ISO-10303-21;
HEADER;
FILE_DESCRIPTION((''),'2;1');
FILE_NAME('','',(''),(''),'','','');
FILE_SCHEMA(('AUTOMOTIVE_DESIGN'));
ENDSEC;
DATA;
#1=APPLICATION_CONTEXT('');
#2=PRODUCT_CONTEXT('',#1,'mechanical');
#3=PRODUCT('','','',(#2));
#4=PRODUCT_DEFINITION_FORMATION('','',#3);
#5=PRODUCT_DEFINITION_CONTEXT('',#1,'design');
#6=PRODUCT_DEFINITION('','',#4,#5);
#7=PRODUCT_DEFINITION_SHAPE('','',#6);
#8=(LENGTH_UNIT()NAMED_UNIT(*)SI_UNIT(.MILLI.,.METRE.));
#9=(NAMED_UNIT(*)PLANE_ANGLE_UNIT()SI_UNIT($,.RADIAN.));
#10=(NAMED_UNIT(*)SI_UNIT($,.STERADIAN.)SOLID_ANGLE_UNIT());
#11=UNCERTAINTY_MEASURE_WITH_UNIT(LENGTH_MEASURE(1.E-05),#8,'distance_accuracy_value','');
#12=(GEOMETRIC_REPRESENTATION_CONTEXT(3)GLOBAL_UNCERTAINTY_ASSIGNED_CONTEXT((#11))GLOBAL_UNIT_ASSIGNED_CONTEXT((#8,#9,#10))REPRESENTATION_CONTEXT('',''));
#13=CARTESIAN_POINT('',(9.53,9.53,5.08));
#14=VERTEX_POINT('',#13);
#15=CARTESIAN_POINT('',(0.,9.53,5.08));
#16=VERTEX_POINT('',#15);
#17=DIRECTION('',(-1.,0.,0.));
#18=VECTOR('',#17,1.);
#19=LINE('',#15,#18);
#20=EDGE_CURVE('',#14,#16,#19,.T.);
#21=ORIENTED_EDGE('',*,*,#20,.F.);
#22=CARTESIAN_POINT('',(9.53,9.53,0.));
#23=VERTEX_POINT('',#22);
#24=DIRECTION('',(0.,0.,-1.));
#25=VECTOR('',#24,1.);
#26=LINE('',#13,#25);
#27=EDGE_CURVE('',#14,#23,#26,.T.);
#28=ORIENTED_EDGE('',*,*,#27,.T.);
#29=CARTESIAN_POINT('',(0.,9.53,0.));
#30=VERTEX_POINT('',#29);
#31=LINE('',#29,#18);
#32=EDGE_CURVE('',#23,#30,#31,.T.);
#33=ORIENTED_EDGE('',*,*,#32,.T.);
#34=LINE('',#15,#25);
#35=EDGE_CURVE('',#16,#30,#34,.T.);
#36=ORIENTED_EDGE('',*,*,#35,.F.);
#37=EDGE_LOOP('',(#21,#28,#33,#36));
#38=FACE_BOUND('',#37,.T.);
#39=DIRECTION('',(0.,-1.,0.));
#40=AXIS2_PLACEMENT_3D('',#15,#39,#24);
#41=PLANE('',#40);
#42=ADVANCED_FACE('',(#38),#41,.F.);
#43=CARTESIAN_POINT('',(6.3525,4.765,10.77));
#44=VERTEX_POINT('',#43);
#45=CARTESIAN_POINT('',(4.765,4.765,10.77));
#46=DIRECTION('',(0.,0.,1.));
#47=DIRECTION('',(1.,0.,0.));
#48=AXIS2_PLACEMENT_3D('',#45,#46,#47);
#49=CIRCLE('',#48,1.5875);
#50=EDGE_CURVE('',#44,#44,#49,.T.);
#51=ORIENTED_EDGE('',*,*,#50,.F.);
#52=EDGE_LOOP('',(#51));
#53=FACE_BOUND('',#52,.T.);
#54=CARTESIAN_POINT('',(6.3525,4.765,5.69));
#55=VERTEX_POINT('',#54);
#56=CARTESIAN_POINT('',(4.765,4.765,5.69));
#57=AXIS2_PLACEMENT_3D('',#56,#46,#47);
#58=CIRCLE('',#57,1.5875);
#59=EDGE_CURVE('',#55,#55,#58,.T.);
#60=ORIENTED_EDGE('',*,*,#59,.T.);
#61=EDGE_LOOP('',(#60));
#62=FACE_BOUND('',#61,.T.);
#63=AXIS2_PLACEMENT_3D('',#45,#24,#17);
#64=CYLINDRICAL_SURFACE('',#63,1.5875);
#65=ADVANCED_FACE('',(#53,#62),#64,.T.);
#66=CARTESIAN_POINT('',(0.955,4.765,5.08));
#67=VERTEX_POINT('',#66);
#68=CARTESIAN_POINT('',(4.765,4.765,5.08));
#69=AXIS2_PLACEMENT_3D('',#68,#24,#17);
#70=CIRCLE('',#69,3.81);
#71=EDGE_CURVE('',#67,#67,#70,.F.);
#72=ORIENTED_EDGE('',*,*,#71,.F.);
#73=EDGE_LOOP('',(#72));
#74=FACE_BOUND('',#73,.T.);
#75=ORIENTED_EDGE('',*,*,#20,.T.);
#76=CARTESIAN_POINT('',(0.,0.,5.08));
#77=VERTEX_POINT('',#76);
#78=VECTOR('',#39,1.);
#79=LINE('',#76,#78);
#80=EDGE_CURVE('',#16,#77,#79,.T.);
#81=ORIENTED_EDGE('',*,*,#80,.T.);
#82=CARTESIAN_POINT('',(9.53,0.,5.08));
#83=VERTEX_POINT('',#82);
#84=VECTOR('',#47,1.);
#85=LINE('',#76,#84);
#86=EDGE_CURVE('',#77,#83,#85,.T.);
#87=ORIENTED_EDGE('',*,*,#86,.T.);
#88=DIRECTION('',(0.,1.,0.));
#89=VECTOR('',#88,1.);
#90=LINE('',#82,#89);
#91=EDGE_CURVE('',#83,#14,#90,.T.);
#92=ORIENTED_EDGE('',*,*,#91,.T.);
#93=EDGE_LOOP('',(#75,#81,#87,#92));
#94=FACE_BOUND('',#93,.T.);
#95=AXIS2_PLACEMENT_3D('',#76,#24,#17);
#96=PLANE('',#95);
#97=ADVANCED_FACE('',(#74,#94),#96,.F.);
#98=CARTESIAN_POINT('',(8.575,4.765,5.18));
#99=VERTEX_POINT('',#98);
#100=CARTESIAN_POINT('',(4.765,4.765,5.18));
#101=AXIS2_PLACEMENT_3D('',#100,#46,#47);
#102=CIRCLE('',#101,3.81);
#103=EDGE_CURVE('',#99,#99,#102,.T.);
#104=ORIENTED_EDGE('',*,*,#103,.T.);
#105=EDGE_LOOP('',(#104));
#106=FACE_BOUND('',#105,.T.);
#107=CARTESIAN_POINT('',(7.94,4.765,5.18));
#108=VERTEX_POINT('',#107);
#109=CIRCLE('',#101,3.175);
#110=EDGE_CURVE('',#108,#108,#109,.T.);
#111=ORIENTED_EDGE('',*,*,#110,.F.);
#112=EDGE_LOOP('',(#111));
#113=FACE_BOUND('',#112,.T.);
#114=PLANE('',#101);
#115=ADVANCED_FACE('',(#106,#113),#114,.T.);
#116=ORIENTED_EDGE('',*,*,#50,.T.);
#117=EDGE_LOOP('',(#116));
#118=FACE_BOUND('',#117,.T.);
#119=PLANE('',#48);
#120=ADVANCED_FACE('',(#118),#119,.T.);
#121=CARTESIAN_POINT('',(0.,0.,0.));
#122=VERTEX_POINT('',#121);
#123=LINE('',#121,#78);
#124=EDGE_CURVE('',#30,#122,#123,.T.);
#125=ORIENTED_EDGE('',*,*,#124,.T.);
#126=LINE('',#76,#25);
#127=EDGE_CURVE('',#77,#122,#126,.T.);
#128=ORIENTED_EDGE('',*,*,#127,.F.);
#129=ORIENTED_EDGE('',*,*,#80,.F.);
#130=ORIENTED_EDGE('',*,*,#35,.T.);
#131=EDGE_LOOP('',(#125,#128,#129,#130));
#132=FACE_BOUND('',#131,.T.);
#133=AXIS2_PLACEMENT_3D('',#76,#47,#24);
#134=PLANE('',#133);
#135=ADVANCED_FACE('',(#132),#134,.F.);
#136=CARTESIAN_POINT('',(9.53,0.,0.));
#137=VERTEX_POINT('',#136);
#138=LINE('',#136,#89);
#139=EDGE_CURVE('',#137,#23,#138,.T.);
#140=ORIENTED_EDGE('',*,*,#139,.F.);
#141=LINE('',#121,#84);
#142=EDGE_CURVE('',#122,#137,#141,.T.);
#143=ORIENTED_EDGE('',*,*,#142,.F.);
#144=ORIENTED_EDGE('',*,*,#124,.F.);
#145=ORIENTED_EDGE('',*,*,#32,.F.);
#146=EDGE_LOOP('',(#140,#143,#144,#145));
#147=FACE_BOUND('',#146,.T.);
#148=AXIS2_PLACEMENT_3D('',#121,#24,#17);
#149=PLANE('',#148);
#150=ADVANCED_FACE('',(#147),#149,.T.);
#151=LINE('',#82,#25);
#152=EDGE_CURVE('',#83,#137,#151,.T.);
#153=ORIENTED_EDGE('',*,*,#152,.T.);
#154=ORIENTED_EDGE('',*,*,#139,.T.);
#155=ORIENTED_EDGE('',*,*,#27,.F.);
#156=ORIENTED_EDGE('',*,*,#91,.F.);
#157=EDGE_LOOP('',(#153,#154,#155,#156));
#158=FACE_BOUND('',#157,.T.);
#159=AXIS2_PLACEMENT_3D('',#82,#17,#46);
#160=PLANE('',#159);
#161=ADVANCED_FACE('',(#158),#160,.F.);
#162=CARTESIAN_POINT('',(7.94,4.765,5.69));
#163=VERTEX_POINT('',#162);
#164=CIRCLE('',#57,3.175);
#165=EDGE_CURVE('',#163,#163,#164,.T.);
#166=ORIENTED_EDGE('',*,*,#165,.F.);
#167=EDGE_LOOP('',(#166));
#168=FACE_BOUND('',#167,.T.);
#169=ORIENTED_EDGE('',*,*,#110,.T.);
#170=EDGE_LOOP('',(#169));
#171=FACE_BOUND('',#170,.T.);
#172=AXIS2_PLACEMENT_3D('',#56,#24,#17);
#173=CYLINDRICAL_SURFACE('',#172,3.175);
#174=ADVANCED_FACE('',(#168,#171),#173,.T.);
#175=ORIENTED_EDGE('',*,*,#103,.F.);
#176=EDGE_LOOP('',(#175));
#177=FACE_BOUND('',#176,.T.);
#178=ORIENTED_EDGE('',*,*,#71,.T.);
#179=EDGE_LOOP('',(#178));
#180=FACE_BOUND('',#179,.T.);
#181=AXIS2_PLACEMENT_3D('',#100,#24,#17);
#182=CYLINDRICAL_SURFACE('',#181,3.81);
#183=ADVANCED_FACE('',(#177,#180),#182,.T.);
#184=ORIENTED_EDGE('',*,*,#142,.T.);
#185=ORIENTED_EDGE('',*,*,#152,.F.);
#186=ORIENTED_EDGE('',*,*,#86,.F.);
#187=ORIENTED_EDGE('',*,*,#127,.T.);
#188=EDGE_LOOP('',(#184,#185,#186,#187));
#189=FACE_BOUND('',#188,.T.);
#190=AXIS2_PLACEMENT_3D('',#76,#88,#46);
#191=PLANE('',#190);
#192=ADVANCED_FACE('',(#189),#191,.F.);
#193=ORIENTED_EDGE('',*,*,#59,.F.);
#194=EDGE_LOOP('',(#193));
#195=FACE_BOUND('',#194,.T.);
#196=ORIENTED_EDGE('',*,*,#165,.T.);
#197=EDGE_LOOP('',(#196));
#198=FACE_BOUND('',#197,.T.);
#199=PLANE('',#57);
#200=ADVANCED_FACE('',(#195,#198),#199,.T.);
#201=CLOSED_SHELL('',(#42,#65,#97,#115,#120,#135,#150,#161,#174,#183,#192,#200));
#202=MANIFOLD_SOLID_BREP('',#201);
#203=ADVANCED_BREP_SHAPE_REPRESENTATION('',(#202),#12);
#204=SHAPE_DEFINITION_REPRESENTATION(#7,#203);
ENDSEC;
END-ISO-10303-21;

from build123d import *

# Parameters (mm, degrees)
SKETCH1_W           = 9.53
SKETCH1_H           = 9.53
BOSS_EXTRUDE1_DEPTH = 5.08
SKETCH2_R           = 3.81
BOSS_EXTRUDE2_DEPTH = 0.1
SKETCH3_R           = 3.175
BOSS_EXTRUDE3_DEPTH = 0.51
SKETCH4_R           = 1.5875
BOSS_EXTRUDE4_DEPTH = 5.08


with BuildPart() as part:
    # Sketch1 → Boss-Extrude1 (new body)
    with BuildSketch(Plane.XY):
        with Locations((4.765, 4.765)):
            Rectangle(SKETCH1_W, SKETCH1_H)
    extrude(amount=BOSS_EXTRUDE1_DEPTH)

    # Sketch2 → Boss-Extrude2 (add)
    with BuildSketch(Plane.XY.offset(5.08)):
        with Locations(Location((4.765, 4.765, 0), (0, 0, 180))):
            Circle(SKETCH2_R)
    extrude(amount=BOSS_EXTRUDE2_DEPTH)

    # Sketch3 → Boss-Extrude3 (add)
    with BuildSketch(Plane.XY.offset(5.18)):
        with Locations((4.765, 4.765)):
            Circle(SKETCH3_R)
    extrude(amount=BOSS_EXTRUDE3_DEPTH)

    # Sketch4 → Boss-Extrude4 (add)
    with BuildSketch(Plane.XY.offset(5.69)):
        with Locations((4.765, 4.765)):
            Circle(SKETCH4_R)
    extrude(amount=BOSS_EXTRUDE4_DEPTH)


solid = part.part
